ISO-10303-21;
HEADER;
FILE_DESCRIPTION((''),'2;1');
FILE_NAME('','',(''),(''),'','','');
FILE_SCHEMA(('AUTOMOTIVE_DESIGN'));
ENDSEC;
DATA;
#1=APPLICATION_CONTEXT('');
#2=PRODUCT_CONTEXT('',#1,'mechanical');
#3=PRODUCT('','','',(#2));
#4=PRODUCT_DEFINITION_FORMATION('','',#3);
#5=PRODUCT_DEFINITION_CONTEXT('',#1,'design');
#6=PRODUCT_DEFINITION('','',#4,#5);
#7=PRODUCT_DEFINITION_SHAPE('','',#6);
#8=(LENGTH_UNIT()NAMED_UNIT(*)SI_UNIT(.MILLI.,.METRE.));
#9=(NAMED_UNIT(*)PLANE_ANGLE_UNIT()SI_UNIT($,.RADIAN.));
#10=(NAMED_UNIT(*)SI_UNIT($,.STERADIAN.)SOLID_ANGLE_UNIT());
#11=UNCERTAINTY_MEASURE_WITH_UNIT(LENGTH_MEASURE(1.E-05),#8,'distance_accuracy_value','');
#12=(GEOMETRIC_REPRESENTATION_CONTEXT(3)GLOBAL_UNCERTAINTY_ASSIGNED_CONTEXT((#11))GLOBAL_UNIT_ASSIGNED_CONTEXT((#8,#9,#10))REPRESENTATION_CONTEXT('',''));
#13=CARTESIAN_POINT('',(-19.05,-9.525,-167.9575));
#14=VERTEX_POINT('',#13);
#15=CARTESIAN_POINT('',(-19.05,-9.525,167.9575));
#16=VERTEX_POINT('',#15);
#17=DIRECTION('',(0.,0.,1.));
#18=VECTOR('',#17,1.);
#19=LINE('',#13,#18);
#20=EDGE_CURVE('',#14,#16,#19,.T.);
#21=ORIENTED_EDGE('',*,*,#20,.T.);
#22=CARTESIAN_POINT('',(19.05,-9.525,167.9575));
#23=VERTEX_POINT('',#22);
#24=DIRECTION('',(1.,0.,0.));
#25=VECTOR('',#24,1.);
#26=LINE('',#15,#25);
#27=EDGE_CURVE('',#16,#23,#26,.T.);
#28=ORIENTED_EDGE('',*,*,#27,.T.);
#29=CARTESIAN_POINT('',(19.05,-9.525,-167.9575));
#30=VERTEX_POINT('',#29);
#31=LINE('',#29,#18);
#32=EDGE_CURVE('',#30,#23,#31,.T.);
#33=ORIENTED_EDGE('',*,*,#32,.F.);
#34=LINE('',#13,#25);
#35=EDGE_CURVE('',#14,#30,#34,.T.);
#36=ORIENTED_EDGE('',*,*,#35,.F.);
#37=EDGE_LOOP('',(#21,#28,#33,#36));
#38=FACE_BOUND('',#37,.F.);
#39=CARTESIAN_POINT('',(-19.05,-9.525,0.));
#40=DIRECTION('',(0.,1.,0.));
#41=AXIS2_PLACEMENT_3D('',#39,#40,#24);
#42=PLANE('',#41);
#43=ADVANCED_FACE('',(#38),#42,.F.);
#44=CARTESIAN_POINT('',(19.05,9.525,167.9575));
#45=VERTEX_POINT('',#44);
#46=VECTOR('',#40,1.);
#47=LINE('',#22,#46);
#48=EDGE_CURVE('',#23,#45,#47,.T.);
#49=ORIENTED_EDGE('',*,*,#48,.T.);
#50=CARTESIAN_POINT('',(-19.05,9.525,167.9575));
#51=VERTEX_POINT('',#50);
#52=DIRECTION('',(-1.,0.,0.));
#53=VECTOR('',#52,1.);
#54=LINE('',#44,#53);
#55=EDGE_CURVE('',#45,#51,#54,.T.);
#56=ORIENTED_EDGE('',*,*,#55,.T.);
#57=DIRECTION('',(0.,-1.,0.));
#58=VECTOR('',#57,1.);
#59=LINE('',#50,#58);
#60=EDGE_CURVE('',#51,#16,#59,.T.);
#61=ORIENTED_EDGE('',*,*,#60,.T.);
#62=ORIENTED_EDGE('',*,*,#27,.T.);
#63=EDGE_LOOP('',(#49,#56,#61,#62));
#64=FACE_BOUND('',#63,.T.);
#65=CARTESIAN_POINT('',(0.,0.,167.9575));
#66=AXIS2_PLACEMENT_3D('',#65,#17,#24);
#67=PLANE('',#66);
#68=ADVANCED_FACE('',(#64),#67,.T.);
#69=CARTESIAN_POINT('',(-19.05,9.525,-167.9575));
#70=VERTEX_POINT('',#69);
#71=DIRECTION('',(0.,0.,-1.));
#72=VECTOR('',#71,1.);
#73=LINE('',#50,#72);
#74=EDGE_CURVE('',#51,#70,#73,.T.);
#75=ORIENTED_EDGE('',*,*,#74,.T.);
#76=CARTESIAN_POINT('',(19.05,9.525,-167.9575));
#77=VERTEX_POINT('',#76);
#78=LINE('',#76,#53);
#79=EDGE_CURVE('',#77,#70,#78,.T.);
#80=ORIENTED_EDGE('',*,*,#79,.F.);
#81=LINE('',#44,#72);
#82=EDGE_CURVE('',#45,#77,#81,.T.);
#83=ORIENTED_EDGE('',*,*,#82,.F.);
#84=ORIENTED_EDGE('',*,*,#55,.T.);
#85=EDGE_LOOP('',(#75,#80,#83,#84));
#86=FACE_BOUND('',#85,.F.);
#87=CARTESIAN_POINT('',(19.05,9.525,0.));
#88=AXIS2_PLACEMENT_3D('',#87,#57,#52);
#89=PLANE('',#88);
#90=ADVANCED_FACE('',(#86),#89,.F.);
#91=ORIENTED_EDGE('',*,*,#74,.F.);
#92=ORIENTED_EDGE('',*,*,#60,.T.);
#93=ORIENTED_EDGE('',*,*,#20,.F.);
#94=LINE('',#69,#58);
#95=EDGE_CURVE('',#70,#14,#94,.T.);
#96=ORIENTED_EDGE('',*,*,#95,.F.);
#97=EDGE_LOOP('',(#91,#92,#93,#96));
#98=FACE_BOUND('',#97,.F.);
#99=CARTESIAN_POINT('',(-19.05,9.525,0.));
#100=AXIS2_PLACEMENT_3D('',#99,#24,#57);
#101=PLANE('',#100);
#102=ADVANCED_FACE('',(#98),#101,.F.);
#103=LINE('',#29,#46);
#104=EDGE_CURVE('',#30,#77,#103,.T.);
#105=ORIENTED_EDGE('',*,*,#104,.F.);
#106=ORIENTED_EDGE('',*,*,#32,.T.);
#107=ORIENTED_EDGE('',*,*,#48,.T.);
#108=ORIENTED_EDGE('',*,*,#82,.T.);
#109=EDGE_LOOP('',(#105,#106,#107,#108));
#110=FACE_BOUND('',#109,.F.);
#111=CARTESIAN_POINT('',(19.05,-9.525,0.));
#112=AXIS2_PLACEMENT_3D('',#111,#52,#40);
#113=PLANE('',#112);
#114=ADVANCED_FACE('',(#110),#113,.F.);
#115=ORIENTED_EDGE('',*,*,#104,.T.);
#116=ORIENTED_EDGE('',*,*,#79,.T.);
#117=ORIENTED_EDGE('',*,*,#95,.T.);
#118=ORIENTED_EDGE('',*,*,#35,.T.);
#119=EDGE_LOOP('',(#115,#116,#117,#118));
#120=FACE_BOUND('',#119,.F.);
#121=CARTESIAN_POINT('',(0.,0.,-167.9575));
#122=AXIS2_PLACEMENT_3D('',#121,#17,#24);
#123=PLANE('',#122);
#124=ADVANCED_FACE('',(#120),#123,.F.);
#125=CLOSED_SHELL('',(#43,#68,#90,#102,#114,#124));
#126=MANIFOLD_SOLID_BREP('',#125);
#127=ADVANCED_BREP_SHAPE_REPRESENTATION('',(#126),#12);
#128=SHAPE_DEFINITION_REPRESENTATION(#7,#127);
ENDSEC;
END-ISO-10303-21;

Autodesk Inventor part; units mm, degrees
ref_plane "YZ Plane" through (0, 0, 0) normal (1, 0, 0) x (0, 1, 0)
ref_plane "XZ Plane" through (0, 0, 0) normal (0, 1, 0) x (-1, 0, 0)
ref_plane "XY Plane" through (0, 0, 0) normal (0, 0, 1) x (1, 0, 0)
sketch "Sketch1" plane through (0, 0, 0) normal (0, 0, 1) x (1, 0, 0)
  line L0 (-19.05, -9.525) -> (19.05, -9.525)
  line L1 (19.05, -9.525) -> (19.05, 9.525)
  line L2 (19.05, 9.525) -> (-19.05, 9.525)
  line L3 (-19.05, 9.525) -> (-19.05, -9.525)
  line L4 (-19.05, -9.525) -> (19.05, 9.525) construction
  line L5 (19.05, -9.525) -> (-19.05, 9.525) construction
  point P0 (0, 0)
  dimension "d0" = 38.1
  dimension "d1" = 19.05
extrude "Extrusion1" add sketch "Sketch1" along normal mid plane 335.915
properties part number "1x2 Horizontal" material "Wood (Birch)"
